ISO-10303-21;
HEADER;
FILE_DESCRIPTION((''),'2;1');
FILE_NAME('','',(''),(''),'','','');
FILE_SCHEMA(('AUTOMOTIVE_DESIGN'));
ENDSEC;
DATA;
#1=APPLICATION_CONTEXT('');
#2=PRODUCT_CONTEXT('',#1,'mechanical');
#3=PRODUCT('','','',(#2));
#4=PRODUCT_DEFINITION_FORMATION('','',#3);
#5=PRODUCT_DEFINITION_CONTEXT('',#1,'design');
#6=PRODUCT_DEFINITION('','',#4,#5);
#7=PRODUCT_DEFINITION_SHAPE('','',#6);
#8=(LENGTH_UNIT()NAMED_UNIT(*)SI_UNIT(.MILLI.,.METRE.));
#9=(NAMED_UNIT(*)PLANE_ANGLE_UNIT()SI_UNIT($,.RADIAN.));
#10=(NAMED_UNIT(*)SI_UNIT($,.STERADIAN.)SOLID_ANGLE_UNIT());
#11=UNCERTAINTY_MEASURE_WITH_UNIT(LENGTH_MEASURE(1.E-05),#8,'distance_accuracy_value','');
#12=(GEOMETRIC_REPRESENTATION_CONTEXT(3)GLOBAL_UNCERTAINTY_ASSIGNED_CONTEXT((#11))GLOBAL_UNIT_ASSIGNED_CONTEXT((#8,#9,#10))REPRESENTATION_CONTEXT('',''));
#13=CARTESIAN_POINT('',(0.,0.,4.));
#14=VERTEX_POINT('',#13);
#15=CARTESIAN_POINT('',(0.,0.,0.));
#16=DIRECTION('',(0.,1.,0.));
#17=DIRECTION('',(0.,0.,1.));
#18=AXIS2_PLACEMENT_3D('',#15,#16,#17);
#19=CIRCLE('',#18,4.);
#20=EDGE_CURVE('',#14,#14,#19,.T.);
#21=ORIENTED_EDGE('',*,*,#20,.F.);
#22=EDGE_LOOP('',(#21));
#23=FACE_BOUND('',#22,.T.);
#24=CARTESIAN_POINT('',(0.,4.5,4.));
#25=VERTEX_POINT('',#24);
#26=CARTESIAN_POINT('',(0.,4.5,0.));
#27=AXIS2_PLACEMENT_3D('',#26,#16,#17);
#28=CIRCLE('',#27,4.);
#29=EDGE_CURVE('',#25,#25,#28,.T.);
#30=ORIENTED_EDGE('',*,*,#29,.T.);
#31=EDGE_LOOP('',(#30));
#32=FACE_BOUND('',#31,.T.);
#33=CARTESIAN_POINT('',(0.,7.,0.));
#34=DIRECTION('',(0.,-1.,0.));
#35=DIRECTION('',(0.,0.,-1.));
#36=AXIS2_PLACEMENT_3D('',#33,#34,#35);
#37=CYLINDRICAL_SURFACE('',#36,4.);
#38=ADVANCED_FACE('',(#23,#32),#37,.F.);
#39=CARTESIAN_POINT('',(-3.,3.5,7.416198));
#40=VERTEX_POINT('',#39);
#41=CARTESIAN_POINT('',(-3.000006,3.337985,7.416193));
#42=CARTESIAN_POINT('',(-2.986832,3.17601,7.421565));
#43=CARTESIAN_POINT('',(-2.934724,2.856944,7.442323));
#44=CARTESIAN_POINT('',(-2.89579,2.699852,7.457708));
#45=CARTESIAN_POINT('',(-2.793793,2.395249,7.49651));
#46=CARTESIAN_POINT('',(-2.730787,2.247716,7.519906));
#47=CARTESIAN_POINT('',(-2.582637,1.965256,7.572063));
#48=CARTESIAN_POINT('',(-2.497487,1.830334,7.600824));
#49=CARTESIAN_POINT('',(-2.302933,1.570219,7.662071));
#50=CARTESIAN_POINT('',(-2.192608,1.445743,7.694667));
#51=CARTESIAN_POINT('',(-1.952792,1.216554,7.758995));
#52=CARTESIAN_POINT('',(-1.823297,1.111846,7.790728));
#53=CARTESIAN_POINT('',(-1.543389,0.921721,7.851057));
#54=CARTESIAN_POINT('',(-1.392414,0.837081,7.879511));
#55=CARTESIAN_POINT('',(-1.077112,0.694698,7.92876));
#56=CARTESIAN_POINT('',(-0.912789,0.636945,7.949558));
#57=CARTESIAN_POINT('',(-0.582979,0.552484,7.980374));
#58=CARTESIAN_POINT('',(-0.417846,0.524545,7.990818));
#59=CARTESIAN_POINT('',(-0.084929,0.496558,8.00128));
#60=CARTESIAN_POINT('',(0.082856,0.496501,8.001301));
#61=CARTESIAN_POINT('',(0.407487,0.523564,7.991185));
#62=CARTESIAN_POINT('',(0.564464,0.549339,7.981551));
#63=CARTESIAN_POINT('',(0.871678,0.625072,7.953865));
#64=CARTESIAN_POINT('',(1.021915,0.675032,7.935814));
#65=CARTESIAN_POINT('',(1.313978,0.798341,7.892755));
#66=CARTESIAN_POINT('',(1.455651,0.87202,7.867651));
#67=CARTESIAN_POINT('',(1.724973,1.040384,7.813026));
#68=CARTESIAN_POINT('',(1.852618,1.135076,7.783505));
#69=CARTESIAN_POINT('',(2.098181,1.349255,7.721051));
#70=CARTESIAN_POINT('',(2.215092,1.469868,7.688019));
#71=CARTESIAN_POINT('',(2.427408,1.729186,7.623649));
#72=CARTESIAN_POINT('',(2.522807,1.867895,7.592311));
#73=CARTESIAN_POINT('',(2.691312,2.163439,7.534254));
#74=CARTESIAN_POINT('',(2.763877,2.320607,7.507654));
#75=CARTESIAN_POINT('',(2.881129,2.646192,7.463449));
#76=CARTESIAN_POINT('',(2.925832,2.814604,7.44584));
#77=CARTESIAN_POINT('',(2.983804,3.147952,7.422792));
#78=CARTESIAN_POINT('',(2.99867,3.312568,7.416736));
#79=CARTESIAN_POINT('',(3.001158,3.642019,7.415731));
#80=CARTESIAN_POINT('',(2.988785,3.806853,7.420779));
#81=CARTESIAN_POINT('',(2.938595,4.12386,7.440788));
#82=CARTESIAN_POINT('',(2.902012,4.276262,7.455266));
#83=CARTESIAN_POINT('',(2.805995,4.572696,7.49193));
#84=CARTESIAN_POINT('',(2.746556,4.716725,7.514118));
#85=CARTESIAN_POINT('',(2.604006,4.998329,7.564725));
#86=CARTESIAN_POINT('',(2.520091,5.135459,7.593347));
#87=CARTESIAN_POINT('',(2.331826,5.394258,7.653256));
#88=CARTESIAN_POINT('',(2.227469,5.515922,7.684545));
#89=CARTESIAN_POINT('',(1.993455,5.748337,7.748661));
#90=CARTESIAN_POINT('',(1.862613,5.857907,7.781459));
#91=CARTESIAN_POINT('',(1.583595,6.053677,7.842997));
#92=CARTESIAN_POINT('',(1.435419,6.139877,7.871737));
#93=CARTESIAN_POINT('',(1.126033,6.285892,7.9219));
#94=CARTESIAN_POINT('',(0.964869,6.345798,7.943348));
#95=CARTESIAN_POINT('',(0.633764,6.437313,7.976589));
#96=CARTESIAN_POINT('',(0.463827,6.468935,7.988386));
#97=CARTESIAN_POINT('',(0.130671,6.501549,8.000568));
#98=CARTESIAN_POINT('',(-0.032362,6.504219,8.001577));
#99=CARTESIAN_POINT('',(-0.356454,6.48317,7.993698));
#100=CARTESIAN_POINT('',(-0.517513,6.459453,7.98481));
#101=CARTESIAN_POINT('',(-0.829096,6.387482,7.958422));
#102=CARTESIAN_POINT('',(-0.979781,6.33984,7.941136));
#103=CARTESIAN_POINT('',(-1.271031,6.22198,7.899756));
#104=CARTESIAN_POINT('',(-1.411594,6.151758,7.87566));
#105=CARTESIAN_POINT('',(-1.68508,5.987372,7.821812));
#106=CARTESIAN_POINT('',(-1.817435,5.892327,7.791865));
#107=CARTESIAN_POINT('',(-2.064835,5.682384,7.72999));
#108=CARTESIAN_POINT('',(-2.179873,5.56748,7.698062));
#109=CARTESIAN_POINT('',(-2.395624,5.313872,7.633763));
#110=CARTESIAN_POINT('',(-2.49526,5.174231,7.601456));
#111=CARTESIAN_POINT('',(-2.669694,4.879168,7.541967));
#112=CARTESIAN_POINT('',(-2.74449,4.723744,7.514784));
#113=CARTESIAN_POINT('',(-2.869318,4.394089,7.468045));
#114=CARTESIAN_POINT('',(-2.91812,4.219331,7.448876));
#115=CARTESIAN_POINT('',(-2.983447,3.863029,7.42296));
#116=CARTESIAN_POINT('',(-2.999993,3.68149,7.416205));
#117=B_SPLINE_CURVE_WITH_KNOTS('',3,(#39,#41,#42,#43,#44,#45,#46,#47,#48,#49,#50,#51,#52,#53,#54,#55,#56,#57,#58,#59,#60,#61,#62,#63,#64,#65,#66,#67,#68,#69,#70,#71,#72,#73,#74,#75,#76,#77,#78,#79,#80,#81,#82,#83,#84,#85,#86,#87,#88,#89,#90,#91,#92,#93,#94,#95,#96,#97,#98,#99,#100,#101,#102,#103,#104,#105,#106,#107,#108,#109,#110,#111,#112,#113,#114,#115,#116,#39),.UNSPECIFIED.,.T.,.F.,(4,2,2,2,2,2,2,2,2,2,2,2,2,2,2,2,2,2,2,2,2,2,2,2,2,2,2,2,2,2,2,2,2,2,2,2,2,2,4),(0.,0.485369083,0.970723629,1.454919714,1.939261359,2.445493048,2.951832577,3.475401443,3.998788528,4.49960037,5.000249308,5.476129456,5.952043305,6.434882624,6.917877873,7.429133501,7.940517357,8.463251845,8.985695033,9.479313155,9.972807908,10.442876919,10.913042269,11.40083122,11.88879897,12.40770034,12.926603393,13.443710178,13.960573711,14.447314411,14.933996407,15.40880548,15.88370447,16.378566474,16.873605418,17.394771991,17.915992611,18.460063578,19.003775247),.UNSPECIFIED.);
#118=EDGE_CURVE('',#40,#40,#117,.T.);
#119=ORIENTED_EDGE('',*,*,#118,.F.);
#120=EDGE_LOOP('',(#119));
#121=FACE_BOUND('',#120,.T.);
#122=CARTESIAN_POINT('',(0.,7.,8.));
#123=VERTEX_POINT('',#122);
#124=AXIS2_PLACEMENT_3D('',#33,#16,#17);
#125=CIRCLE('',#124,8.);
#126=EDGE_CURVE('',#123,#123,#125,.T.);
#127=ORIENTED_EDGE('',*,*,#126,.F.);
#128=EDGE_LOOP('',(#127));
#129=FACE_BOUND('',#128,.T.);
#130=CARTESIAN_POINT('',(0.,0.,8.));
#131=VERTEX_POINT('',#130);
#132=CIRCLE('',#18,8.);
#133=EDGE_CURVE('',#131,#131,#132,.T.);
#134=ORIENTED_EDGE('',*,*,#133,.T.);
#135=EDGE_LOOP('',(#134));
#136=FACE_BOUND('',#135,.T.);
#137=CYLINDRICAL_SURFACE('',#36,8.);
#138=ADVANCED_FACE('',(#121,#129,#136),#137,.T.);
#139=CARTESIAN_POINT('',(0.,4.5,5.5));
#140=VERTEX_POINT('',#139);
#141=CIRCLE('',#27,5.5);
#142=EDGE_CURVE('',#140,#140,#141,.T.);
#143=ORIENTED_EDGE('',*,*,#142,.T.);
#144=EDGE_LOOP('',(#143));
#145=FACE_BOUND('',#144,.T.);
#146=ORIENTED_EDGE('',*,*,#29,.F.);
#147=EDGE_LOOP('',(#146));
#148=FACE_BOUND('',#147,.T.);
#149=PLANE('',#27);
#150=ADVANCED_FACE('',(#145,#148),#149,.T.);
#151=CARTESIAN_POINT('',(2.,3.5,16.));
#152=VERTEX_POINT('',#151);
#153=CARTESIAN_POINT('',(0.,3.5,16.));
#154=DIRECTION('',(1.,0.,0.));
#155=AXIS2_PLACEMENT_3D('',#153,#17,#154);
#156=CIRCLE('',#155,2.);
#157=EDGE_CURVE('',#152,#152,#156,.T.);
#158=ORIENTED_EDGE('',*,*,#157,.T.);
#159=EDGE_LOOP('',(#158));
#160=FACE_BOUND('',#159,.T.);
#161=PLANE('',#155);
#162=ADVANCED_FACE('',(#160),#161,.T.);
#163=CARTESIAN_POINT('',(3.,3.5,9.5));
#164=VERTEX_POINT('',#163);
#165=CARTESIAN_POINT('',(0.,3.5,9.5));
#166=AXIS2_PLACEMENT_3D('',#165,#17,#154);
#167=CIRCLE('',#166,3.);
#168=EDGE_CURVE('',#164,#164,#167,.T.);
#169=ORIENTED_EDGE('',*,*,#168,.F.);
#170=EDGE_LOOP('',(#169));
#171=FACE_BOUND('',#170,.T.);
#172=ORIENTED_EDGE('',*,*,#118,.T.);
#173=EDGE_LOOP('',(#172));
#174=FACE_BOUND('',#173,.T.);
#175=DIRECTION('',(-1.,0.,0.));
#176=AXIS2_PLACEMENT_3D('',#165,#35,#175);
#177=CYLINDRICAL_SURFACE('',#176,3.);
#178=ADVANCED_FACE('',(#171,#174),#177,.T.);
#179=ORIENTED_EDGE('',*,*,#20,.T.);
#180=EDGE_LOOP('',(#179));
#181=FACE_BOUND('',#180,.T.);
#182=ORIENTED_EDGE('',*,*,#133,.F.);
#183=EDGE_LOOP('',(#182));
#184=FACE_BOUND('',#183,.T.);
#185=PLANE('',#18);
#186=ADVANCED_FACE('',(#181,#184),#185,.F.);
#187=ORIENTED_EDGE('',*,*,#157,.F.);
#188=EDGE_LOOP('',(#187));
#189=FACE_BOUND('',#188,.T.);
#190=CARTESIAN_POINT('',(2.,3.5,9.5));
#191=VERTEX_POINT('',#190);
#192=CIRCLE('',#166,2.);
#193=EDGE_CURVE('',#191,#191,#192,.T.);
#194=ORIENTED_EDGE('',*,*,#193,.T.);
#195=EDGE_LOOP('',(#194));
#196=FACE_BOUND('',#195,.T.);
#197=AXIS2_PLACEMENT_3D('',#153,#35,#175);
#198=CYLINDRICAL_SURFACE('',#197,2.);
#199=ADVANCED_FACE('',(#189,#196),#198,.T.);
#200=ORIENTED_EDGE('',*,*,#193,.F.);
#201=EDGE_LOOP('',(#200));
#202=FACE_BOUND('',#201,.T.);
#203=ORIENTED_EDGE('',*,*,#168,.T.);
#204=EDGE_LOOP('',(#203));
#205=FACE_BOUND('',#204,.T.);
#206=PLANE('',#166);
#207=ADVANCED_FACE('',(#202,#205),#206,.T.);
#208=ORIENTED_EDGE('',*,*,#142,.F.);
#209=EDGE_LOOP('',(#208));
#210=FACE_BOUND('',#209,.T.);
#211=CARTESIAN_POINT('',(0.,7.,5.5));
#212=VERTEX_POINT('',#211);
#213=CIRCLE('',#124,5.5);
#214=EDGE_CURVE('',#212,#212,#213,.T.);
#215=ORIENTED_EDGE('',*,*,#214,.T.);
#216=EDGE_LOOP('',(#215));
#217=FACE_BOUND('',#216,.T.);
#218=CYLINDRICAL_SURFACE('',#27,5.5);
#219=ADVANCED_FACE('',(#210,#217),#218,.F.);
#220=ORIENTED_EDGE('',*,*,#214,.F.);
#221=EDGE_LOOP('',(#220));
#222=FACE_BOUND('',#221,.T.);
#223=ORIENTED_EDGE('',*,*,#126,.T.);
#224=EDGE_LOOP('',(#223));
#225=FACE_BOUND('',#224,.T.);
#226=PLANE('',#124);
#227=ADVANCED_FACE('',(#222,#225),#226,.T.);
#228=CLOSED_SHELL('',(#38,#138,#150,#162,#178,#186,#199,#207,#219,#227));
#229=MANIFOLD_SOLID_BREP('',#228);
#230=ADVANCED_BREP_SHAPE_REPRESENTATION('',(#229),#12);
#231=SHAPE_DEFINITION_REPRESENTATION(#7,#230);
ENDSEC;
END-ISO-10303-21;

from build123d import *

# Parameters (mm, degrees)
SKETCH_1_R          = 8
SKETCH_1_R_2        = 4
EXTRUDE_1_DEPTH     = 7
SKETCH_2_R          = 3
EXTRUDE_2_DEPTH     = 9.5
SKETCH_5_R          = 4
CUT_EXTRUDE_1_DEPTH = 9.5
SKETCH_6_R          = 2
EXTRUDE_3_DEPTH     = 6.5
SKETCH_7_R          = 5.5
CUT_EXTRUDE_2_DEPTH = 2.5


with BuildPart() as part:
    # 草图1 → 凸台-拉伸1 (new body)
    with BuildSketch(Plane(origin=(0, 0, 0), x_dir=(1, 0, 0), z_dir=(0, 1, 0))):
        Circle(SKETCH_1_R)
        Circle(SKETCH_1_R_2, mode=Mode.SUBTRACT)
    extrude(amount=EXTRUDE_1_DEPTH)

    # 草图2 → 凸台-拉伸2 (add)
    with BuildSketch(Plane.XY):
        with Locations((0, 3.5)):
            Circle(SKETCH_2_R)
    extrude(amount=EXTRUDE_2_DEPTH)

    # 草图5 → 切除-拉伸1 (cut)
    with BuildSketch(Plane(origin=(0, 7, 0), x_dir=(1, 0, 0), z_dir=(0, 1, 0))):
        Circle(SKETCH_5_R)
    extrude(amount=-CUT_EXTRUDE_1_DEPTH, mode=Mode.SUBTRACT)

    # 草图6 → 凸台-拉伸3 (add)
    with BuildSketch(Plane.XY.offset(9.5)):
        with Locations((0, 3.5)):
            Circle(SKETCH_6_R)
    extrude(amount=EXTRUDE_3_DEPTH)

    # 草图7 → 切除-拉伸2 (cut)
    with BuildSketch(Plane(origin=(0, 7, 0), x_dir=(1, 0, 0), z_dir=(0, 1, 0))):
        Circle(SKETCH_7_R)
    extrude(amount=-CUT_EXTRUDE_2_DEPTH, mode=Mode.SUBTRACT)


solid = part.part
